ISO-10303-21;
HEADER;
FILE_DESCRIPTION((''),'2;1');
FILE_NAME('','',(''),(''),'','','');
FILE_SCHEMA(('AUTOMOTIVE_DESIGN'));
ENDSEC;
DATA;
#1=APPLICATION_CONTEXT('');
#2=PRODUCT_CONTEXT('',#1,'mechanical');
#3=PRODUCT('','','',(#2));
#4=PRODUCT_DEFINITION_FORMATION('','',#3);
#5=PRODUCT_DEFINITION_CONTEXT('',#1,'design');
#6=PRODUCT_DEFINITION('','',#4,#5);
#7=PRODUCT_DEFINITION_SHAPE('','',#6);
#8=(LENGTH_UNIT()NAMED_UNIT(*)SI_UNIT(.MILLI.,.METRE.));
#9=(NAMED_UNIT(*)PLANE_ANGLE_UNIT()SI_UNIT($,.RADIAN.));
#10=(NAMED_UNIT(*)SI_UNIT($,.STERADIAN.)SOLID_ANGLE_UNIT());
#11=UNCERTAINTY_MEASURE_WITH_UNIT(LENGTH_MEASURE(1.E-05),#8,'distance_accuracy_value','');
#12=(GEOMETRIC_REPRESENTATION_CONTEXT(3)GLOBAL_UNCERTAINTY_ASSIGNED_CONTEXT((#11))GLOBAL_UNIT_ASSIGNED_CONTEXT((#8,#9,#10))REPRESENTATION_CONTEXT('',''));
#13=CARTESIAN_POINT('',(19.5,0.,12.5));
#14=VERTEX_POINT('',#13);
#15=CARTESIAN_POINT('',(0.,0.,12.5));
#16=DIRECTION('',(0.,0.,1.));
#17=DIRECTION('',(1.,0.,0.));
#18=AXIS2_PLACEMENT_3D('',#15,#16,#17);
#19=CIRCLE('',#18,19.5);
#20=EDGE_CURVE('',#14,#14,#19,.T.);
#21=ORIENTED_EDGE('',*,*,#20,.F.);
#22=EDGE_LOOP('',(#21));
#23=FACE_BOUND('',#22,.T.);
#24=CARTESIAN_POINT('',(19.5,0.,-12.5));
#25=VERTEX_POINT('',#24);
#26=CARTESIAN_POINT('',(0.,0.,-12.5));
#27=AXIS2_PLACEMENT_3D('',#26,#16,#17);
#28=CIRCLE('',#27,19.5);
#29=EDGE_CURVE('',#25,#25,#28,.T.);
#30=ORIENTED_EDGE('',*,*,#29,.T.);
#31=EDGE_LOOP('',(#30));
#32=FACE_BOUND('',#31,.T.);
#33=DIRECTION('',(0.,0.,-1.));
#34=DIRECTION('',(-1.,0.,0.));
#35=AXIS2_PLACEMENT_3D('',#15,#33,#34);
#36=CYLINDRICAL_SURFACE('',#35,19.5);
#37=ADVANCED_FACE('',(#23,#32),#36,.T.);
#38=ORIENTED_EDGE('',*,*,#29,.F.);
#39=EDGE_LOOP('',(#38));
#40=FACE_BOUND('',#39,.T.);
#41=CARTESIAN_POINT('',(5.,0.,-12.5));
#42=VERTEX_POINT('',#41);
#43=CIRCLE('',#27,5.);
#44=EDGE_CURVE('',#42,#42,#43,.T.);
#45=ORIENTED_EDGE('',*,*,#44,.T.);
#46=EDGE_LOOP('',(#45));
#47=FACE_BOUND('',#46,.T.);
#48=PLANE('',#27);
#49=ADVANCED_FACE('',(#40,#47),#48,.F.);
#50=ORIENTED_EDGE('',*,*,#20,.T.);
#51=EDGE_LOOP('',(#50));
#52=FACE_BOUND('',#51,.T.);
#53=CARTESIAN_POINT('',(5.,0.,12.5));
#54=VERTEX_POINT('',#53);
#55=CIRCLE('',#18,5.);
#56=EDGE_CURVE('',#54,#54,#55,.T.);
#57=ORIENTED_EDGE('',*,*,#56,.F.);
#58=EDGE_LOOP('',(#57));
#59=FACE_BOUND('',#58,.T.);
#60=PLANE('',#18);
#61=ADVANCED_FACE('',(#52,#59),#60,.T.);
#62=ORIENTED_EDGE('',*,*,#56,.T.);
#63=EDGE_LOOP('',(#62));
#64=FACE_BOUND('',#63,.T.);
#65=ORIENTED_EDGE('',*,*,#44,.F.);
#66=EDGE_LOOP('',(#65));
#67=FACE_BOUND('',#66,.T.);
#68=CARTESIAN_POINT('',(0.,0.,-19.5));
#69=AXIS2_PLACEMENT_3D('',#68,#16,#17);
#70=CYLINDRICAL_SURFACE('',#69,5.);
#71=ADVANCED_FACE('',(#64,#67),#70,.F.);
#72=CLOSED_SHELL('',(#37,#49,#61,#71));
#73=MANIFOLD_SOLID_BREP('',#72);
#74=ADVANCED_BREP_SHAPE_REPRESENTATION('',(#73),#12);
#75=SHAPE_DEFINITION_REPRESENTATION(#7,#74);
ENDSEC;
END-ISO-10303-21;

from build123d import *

# Parameters (mm, degrees)
SKETCH1_R           = 19.5
BOSS_EXTRUDE1_DEPTH = 12.5
SKETCH2_R           = 5
CUT_EXTRUDE1_DEPTH  = 32


with BuildPart() as part:
    # Sketch1 → Boss-Extrude1 (new, symmetric)
    with BuildSketch(Plane.XY):
        Circle(SKETCH1_R)
    extrude(amount=BOSS_EXTRUDE1_DEPTH, both=True)

    # Sketch2 → Cut-Extrude1 (cut)
    with BuildSketch(Plane.XY.offset(12.5)):
        Circle(SKETCH2_R)
    extrude(amount=-CUT_EXTRUDE1_DEPTH, mode=Mode.SUBTRACT)


solid = part.part
